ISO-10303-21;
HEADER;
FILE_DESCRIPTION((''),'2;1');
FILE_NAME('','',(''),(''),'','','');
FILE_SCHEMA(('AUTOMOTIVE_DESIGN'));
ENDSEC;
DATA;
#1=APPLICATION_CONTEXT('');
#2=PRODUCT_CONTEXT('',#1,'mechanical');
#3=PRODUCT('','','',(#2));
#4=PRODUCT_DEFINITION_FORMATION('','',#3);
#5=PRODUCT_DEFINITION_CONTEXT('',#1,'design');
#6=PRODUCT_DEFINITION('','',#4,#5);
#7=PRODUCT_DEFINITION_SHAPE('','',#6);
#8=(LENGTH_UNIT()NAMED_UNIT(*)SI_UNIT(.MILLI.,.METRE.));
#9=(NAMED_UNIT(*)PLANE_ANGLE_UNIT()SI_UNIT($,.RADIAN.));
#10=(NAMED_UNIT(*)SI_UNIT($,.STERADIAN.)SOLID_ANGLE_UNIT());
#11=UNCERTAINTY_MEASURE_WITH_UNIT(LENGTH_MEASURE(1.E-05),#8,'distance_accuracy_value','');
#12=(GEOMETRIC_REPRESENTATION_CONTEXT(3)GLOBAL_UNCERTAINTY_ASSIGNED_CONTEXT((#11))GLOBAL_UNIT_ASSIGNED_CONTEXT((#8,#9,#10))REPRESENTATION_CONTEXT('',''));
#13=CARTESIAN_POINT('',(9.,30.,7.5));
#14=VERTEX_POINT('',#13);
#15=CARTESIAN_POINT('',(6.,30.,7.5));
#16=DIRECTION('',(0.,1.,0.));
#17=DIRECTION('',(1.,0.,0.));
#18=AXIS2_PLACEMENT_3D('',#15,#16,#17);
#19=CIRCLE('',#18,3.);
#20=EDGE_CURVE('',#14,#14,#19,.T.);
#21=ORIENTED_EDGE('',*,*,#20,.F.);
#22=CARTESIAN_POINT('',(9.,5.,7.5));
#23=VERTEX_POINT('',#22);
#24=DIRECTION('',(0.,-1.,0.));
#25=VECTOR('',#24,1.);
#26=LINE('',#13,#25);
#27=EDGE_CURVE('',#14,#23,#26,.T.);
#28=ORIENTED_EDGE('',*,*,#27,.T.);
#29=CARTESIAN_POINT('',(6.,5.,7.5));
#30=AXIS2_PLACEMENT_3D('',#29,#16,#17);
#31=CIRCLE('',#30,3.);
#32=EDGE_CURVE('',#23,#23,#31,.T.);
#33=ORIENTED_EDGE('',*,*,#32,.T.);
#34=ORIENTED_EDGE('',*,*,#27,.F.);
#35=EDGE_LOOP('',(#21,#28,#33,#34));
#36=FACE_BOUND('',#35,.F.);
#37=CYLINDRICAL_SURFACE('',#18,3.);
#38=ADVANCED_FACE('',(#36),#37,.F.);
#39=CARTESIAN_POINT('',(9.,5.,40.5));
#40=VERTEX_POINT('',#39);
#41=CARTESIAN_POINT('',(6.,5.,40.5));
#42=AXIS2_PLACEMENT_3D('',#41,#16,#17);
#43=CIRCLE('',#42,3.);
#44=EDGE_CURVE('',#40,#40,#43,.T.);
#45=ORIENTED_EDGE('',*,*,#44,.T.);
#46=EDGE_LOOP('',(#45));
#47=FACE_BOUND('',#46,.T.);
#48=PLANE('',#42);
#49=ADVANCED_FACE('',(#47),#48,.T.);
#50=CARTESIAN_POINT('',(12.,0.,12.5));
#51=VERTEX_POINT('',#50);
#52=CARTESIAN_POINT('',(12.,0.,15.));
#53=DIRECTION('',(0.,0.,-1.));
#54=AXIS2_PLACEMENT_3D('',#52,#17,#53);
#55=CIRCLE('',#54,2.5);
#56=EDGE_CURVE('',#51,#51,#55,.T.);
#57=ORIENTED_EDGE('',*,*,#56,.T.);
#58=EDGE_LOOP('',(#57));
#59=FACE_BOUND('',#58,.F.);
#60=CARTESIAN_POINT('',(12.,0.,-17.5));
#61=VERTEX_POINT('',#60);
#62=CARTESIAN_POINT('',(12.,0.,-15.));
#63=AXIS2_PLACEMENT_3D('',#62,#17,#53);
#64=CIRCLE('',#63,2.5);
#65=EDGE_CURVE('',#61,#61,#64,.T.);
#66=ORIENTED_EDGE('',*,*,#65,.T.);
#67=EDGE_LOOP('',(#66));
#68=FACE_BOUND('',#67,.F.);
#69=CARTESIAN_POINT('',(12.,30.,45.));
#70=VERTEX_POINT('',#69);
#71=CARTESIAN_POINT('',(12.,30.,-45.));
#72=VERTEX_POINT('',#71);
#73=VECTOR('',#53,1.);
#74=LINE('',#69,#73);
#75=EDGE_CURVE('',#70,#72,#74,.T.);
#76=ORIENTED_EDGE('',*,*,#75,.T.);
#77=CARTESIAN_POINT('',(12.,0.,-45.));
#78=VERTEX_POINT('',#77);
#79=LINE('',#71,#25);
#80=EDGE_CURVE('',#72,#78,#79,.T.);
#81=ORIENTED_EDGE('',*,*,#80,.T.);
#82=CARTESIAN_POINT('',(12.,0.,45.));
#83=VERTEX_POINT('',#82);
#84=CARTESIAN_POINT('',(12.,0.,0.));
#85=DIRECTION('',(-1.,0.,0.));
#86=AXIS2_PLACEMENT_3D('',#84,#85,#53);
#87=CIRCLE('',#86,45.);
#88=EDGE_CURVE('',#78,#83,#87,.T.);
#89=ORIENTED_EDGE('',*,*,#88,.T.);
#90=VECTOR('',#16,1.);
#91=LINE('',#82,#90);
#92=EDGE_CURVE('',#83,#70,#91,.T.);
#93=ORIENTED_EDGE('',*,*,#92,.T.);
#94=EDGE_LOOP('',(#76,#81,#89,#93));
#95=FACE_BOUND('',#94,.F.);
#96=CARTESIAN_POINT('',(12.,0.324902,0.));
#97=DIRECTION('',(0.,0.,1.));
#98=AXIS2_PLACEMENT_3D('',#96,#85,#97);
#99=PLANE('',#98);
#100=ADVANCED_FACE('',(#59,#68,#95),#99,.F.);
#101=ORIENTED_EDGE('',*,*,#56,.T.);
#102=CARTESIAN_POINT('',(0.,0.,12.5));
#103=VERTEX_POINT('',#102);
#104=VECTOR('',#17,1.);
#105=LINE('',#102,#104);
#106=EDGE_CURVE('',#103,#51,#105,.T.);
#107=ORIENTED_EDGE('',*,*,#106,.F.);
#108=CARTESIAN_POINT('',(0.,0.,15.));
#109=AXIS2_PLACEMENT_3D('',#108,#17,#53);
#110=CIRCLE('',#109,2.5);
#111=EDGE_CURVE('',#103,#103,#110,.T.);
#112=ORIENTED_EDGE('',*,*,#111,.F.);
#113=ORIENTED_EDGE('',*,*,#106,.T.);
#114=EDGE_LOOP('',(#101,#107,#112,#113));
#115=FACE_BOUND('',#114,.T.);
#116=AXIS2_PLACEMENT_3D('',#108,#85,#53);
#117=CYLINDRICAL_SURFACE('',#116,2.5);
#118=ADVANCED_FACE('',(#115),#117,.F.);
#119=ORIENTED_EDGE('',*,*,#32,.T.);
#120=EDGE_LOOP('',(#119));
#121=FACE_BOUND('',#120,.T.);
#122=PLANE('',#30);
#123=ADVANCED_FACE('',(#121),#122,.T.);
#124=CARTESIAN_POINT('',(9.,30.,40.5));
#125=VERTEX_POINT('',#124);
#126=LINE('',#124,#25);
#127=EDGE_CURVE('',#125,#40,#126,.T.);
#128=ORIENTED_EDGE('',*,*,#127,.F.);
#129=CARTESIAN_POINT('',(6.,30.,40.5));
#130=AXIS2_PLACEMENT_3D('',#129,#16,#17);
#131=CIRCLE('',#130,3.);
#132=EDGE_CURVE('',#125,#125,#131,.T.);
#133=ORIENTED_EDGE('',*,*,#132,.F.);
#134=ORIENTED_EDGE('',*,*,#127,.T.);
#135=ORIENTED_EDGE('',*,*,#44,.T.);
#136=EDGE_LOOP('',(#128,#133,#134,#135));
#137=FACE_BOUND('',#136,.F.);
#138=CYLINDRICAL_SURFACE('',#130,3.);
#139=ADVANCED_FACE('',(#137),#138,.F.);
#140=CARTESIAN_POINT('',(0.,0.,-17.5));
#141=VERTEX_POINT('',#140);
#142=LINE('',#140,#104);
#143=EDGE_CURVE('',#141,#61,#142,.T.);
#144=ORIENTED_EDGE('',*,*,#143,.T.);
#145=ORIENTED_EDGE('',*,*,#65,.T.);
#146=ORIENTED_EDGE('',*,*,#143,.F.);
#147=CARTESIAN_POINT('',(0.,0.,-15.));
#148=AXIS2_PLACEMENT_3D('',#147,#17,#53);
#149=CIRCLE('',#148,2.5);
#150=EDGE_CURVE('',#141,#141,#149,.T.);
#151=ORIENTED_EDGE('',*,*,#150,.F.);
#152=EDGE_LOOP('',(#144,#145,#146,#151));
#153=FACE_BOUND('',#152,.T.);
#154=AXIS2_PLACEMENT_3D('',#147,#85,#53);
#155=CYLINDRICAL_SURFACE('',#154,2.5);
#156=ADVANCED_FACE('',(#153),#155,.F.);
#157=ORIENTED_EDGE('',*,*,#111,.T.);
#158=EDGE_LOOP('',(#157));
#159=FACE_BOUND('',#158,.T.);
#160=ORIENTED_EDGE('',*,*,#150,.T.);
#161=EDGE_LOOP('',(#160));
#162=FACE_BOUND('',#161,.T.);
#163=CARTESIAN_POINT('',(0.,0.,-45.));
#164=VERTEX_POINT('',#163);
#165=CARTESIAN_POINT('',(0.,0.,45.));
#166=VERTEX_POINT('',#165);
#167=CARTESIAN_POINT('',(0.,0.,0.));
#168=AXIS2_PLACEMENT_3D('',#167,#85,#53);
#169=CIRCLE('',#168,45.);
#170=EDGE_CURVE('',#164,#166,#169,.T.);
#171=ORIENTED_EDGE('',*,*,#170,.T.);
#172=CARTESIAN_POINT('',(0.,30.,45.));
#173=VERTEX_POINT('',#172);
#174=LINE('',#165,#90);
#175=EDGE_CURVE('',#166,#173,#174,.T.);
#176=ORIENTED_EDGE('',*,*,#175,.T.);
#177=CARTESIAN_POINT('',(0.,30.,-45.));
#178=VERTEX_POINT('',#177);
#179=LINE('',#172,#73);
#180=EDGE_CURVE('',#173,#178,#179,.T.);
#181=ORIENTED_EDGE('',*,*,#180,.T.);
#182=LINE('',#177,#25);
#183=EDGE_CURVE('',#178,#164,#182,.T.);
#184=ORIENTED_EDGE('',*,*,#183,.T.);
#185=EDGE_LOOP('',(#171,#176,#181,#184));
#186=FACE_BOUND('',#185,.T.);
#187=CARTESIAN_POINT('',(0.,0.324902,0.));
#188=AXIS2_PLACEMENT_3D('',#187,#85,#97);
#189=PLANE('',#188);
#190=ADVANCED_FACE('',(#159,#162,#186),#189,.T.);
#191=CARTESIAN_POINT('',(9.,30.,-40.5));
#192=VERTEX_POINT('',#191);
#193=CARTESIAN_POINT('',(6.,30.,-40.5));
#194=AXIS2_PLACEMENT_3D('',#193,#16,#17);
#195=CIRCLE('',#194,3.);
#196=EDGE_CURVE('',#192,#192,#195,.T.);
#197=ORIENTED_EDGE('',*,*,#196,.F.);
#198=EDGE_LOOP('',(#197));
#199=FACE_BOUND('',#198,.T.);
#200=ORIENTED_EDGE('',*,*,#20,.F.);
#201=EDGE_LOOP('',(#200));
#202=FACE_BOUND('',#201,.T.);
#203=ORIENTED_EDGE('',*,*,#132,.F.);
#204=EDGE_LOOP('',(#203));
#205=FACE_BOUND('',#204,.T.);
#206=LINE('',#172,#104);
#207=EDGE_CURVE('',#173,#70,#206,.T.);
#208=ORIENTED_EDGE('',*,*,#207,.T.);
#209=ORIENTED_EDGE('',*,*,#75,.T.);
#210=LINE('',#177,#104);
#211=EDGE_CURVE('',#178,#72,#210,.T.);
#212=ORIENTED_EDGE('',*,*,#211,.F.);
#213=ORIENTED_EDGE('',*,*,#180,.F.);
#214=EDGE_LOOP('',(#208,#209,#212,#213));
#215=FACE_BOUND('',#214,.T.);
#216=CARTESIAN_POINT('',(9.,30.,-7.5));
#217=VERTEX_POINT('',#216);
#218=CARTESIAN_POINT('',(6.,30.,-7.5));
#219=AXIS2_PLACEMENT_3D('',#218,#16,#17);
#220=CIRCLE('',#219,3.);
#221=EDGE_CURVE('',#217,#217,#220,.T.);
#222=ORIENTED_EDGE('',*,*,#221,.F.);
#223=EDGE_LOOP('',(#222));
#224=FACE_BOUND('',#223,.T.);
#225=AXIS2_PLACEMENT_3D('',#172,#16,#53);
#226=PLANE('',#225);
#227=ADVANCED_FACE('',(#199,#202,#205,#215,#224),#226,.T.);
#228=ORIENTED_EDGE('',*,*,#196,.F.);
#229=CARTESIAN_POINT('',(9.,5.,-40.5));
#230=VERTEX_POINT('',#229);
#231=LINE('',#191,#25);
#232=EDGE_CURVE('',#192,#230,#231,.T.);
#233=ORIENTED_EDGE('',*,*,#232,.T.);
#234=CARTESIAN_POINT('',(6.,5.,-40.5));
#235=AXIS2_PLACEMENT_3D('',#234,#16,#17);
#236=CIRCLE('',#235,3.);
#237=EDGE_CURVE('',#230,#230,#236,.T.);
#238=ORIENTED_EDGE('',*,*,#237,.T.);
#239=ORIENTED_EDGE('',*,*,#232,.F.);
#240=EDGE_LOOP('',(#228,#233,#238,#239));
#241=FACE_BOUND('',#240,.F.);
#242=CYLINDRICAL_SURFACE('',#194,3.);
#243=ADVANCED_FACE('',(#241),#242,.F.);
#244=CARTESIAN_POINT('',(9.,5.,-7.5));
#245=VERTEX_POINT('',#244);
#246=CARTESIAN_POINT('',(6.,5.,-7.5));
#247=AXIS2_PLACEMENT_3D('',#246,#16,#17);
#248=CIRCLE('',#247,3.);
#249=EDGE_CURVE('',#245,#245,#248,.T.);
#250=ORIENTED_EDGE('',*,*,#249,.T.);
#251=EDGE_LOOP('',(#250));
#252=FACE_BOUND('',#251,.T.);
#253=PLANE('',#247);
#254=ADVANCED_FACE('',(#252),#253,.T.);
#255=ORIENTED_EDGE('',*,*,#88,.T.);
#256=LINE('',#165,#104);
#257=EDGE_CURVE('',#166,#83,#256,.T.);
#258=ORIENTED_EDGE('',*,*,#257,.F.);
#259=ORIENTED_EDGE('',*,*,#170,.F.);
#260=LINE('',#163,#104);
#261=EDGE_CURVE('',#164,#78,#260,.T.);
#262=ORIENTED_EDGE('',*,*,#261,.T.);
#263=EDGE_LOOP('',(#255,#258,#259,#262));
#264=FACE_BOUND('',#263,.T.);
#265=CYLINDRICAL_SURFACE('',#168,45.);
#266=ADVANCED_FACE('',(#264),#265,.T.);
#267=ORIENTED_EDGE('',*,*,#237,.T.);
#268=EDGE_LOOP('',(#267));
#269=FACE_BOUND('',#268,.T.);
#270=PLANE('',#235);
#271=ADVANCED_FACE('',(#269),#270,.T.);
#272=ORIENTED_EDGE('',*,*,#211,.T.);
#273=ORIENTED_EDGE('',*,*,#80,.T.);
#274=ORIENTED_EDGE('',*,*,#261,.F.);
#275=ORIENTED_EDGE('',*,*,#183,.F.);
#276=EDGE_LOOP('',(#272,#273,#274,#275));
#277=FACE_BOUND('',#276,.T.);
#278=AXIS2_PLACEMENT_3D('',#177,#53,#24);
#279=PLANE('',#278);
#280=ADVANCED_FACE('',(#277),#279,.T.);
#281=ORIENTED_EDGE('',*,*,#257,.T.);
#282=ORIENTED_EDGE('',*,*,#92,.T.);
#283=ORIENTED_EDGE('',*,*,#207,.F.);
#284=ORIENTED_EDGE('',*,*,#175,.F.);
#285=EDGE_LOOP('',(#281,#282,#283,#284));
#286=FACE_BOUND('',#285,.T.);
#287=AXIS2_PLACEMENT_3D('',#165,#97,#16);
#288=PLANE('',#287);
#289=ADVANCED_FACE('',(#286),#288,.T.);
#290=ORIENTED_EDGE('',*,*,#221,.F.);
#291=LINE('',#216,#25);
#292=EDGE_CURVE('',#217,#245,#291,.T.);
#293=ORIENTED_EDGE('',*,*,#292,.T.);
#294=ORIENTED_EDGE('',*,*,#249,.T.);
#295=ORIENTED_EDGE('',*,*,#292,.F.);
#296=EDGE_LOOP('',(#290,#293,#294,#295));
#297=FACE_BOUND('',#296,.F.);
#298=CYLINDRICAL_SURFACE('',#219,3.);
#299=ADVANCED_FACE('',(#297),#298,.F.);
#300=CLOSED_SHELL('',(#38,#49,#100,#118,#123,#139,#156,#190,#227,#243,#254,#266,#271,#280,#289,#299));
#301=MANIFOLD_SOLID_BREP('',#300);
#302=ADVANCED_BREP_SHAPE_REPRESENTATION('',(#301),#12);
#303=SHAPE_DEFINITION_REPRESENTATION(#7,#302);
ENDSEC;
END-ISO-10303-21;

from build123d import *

# Parameters (mm, degrees)
SKETCH1_R           = 2.5
BOSS_EXTRUDE1_DEPTH = 12
SKETCH2_R           = 3
CUT_EXTRUDE1_DEPTH  = 25


with BuildPart() as part:
    # Sketch1 → Boss-Extrude1 (new body)
    with BuildSketch(Plane(origin=(0, 0, 0), x_dir=(0, 0, -1), z_dir=(1, 0, 0))):
        with BuildLine():
            Line((-45, 0), (-45, 30))
            Line((-45, 30), (45, 30))
            Line((45, 30), (45, 0))
            ThreePointArc((45, 0), (0, -45), (-45, 0))
        make_face()
        with Locations((-15, 0)):
            Circle(SKETCH1_R, mode=Mode.SUBTRACT)
        with Locations((15, 0)):
            Circle(SKETCH1_R, mode=Mode.SUBTRACT)
    extrude(amount=BOSS_EXTRUDE1_DEPTH)

    # Sketch2 → Cut-Extrude1 (cut)
    with BuildSketch(Plane(origin=(0, 30, 0), x_dir=(1, 0, 0), z_dir=(0, 1, 0))):
        with Locations((6, 40.5)):
            Circle(SKETCH2_R)
        with Locations((6, 7.5)):
            Circle(SKETCH2_R)
        with Locations((6, -7.5)):
            Circle(SKETCH2_R)
        with Locations((6, -40.5)):
            Circle(SKETCH2_R)
    extrude(amount=-CUT_EXTRUDE1_DEPTH, mode=Mode.SUBTRACT)


solid = part.part
